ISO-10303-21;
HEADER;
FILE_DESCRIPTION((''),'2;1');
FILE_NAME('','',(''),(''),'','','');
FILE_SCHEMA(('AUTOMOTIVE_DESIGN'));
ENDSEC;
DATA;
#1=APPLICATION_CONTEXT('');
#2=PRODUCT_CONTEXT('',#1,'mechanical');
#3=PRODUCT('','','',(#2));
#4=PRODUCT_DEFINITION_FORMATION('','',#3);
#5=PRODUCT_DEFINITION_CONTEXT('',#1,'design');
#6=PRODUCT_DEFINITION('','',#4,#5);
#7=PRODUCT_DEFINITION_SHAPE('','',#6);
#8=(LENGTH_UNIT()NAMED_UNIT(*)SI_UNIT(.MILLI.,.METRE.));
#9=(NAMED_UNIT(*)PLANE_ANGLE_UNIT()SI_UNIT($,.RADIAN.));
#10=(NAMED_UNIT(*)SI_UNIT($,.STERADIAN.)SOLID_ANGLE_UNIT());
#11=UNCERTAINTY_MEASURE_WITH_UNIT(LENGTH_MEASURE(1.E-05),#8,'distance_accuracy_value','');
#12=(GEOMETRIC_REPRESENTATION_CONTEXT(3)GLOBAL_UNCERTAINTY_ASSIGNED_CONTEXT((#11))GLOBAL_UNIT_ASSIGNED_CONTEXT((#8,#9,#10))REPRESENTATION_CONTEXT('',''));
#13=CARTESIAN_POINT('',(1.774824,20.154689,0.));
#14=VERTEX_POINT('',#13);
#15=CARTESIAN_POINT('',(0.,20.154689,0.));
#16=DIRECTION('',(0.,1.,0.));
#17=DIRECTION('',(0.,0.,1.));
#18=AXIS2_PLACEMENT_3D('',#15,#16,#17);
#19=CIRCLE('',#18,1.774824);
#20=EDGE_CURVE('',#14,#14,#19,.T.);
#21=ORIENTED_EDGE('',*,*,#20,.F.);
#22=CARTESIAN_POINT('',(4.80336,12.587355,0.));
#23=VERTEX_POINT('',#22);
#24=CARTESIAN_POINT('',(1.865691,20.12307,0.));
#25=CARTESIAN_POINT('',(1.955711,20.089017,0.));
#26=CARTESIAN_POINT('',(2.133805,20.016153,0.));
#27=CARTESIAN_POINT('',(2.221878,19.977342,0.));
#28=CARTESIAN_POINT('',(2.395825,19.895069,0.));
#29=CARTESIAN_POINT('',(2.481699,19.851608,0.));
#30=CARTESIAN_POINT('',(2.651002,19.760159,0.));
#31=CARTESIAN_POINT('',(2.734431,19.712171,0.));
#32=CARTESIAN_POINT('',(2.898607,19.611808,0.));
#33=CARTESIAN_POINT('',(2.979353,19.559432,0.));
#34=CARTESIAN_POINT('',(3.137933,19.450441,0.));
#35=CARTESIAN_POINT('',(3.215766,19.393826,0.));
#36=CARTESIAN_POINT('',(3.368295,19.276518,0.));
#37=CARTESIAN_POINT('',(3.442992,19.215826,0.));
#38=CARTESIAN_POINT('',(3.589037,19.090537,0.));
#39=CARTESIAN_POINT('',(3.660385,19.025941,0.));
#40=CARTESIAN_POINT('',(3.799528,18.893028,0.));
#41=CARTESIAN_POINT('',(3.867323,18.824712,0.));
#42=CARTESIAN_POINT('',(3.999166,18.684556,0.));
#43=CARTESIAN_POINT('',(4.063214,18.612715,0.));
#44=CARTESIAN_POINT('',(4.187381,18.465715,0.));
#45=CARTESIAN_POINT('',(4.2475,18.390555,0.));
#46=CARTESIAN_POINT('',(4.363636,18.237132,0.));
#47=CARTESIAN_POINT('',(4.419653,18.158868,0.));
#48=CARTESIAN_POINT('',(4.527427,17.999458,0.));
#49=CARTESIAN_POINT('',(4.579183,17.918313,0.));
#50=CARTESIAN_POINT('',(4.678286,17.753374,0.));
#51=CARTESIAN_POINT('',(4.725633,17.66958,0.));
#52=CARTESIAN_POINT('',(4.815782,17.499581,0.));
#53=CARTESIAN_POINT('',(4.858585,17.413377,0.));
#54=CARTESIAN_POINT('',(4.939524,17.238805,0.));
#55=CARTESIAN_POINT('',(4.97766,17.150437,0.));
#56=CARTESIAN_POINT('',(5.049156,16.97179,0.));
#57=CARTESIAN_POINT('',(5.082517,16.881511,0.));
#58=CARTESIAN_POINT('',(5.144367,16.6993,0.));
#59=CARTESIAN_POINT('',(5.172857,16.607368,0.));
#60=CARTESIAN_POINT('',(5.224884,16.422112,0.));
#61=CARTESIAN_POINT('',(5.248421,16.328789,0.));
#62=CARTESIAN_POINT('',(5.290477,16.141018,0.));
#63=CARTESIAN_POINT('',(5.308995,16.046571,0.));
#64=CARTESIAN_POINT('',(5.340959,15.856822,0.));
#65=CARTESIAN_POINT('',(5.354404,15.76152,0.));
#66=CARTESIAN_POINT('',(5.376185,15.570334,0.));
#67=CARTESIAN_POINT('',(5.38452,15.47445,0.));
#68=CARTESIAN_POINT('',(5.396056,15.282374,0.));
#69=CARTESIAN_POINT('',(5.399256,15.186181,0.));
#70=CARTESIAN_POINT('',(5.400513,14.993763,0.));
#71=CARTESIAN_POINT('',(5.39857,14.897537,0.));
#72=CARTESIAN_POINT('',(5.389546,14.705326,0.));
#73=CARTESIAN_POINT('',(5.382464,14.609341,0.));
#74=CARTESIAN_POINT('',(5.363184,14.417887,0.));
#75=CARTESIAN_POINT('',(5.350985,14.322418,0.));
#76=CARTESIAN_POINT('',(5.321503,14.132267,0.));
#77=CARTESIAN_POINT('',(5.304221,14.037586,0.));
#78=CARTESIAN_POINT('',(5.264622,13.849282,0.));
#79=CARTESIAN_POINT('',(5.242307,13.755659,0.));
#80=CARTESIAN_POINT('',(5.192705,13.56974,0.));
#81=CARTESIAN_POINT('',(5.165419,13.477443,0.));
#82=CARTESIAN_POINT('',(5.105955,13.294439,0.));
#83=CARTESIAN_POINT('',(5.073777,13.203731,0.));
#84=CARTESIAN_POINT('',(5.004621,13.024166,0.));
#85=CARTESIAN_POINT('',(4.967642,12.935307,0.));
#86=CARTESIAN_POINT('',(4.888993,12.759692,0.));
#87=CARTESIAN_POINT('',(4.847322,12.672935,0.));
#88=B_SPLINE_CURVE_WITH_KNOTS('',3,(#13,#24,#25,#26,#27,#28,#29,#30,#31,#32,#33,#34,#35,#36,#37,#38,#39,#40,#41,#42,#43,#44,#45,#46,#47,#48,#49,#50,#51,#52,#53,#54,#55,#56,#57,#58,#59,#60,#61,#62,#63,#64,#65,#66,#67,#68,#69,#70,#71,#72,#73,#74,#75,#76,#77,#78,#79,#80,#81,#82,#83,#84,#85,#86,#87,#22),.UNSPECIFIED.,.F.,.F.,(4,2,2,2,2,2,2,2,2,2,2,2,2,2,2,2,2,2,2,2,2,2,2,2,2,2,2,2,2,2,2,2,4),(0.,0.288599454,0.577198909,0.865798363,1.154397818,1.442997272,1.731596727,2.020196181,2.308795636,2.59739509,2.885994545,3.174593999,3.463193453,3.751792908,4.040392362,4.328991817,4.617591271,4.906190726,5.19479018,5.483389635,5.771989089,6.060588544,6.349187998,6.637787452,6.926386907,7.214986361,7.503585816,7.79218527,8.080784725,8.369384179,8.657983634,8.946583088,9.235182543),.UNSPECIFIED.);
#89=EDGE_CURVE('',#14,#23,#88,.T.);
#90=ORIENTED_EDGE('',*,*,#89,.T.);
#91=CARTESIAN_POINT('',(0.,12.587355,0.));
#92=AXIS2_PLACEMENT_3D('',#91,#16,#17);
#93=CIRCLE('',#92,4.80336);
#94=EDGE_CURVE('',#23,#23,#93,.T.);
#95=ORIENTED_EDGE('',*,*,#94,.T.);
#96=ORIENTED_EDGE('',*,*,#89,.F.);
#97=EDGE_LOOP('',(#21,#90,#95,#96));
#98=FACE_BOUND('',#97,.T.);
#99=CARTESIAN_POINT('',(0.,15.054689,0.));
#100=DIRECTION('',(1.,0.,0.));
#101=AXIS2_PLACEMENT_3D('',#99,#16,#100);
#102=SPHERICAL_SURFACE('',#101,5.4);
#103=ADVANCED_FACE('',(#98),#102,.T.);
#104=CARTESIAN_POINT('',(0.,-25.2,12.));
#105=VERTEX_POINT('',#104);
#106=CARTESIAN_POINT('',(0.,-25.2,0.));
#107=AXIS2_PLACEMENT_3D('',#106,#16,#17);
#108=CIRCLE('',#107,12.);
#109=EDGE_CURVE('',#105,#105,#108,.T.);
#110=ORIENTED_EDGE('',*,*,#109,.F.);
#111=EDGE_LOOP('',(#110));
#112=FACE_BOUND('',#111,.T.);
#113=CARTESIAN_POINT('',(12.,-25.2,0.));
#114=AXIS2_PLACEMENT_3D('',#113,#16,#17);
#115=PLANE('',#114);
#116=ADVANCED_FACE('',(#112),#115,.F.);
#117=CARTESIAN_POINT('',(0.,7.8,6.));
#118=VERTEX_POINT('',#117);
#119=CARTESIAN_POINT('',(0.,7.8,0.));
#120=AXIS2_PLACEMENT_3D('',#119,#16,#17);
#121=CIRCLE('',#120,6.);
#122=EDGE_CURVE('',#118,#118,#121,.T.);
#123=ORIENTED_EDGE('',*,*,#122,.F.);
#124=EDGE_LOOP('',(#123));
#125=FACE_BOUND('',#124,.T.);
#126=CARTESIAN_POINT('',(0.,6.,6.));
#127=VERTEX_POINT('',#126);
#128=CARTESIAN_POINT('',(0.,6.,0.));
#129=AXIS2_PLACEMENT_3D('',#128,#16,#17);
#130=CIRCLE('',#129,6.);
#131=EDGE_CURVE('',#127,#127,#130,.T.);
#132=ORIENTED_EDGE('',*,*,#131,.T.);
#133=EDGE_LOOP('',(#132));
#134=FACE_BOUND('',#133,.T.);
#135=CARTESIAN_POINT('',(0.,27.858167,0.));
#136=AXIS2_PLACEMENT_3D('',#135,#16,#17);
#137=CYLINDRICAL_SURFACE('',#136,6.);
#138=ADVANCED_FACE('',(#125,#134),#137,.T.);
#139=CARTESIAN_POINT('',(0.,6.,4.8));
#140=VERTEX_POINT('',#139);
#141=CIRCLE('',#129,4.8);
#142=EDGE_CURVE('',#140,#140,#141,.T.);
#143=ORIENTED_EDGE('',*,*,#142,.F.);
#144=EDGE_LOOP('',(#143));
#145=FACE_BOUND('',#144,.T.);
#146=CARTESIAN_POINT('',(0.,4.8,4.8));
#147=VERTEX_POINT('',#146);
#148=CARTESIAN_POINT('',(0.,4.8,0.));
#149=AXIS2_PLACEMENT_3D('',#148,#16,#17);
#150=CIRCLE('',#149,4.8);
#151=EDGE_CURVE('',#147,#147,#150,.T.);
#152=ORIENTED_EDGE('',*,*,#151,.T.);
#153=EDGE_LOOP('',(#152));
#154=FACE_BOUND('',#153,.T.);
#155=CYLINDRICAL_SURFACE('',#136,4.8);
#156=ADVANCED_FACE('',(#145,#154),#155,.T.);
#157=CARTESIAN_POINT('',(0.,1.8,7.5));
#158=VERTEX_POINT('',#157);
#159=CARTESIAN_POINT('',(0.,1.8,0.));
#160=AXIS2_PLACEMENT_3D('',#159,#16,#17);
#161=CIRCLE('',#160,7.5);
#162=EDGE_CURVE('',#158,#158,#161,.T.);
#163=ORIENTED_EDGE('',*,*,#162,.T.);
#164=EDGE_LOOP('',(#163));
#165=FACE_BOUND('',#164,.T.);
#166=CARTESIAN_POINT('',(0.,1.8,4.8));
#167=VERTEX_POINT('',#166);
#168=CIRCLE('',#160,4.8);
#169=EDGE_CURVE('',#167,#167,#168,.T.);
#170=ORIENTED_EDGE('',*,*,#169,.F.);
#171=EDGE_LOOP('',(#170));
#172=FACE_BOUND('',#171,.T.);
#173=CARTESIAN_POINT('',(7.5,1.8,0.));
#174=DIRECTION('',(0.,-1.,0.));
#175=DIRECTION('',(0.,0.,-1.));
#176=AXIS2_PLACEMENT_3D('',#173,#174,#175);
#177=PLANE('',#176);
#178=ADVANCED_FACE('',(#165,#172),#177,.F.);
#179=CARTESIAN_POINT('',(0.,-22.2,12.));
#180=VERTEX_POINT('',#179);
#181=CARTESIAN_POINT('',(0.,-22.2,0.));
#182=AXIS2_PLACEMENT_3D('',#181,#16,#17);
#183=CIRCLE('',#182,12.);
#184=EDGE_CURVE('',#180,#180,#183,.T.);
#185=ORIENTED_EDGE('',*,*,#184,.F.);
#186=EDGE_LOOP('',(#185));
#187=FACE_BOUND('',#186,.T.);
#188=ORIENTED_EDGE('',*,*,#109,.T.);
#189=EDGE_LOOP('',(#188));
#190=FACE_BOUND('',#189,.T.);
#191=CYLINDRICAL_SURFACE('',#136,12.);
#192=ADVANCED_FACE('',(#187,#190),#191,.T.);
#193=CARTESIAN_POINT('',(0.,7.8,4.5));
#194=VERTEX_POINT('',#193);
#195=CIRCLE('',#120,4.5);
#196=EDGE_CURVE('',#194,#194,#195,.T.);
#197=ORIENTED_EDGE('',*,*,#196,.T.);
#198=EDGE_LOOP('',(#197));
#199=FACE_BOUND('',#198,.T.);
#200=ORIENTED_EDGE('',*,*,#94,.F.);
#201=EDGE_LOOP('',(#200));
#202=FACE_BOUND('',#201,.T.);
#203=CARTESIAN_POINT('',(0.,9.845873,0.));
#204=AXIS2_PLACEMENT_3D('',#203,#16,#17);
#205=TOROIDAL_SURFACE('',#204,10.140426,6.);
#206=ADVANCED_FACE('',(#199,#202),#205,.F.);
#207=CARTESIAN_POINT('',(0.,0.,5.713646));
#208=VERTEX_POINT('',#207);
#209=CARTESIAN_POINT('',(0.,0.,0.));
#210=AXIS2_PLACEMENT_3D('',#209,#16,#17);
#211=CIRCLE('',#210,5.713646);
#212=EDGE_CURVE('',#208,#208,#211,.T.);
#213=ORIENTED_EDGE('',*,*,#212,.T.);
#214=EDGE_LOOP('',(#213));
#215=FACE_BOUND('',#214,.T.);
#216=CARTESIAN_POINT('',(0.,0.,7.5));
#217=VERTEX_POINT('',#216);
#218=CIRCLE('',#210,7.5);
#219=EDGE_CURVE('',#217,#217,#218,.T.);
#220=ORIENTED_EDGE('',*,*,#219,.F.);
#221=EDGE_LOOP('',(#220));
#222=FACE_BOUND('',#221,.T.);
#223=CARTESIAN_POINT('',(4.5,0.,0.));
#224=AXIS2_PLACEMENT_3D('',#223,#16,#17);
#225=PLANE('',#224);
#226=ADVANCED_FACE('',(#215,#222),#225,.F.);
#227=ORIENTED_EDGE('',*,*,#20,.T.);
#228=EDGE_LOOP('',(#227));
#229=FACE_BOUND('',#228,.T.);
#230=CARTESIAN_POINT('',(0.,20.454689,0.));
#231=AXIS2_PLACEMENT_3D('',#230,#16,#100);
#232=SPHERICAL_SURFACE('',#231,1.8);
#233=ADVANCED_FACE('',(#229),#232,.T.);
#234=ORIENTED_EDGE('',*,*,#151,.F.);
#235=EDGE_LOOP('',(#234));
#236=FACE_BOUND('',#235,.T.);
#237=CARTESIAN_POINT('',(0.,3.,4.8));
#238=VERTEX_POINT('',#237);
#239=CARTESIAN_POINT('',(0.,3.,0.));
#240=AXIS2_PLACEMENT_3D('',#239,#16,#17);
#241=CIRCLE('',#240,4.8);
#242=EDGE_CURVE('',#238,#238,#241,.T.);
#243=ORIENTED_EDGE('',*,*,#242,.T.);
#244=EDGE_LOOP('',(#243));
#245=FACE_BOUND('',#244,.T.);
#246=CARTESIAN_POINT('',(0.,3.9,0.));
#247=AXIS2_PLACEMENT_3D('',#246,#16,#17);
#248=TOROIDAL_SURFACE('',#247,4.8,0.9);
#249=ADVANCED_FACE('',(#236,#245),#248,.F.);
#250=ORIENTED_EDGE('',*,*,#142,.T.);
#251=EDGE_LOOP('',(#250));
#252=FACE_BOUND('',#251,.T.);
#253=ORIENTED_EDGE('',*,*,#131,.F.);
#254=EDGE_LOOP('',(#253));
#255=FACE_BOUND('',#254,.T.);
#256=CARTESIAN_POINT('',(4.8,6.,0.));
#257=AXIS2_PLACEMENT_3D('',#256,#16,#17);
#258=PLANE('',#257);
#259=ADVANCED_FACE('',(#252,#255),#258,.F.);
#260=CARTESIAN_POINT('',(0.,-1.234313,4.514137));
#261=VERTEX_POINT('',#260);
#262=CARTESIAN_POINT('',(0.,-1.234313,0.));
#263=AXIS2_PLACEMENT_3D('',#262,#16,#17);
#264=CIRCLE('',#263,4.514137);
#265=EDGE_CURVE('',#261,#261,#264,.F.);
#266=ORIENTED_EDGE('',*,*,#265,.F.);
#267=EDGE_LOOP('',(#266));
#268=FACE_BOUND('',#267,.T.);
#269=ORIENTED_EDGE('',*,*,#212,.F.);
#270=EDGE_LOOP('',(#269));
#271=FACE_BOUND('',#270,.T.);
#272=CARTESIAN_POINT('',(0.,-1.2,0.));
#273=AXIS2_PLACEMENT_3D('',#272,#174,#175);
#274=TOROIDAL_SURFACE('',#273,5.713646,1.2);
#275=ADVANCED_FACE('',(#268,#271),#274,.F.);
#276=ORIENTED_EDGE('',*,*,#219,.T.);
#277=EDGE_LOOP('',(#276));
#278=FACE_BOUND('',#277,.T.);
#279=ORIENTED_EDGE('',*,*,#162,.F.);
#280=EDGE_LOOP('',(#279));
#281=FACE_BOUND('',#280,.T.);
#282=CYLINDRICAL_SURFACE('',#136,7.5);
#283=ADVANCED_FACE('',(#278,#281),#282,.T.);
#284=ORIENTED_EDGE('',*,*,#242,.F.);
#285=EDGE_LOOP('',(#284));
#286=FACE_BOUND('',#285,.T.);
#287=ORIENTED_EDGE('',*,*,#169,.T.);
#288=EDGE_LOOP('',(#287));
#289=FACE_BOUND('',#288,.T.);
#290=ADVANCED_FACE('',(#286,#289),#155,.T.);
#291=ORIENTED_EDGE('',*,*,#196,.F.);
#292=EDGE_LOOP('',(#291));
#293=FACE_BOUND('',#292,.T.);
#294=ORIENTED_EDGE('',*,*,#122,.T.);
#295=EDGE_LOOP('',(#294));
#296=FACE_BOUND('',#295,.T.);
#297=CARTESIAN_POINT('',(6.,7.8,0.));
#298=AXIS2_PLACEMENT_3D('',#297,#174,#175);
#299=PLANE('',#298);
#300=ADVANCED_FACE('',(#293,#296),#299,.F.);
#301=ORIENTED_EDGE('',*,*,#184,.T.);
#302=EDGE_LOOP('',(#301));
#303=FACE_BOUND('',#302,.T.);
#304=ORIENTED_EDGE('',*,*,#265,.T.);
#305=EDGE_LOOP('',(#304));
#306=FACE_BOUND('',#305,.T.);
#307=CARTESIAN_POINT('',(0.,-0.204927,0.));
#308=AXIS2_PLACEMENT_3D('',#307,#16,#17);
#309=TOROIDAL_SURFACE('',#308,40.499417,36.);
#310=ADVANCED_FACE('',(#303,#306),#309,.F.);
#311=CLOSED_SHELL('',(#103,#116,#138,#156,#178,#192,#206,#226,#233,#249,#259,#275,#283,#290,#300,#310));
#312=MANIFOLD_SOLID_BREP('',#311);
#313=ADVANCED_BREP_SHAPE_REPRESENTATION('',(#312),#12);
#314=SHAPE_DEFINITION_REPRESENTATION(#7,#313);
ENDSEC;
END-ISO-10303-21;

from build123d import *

# Parameters (mm, degrees)
FILLET1_R     = 2
SCALE_1_SCALE = 0.6


with BuildPart() as part:
    # Sketch1 → Revolve1 (revolve)
    with BuildSketch(Plane.XY, mode=Mode.PRIVATE) as revolve1_sk:
        with BuildLine():
            Line((0, -42), (0, 37.091148677))
            ThreePointArc((0, 37.091148677), (2.291287847, 36.02764035), (2.958039892, 33.591148677))
            ThreePointArc((2.958039892, 33.591148677), (8.355680086, 28.435189692), (8.005599308, 20.978925468))
            ThreePointArc((8.005599308, 20.978925468), (6.920726173, 17.042188603), (7.5, 13))
            Line((7.5, 13), (10, 13))
            Line((10, 13), (10, 10))
            Line((10, 10), (8, 10))
            Line((8, 10), (8, 8))
            ThreePointArc((8, 8), (6.5, 6.5), (8, 5))
            Line((8, 5), (8, 3))
            Line((8, 3), (12.5, 3))
            Line((12.5, 3), (12.5, 0))
            Line((12.5, 0), (7.5, 0))
            ThreePointArc((7.5, 0), (10.655312326, -19.545502593), (20, -37))
            Line((20, -37), (20, -42))
            Line((20, -42), (0, -42))
        make_face()
    revolve(revolve1_sk.sketch.rotate(Axis((0, 46.430278851, 0), (0, -1, 0)), 90), axis=Axis((0, 46.430278851, 0), (0, -1, 0)))

    # Fillet1
    fillet1_edges = [part.edges().sort_by_distance(p)[0] for p in [
        (0, 0, -7.5),
    ]]
    fillet(fillet1_edges, radius=FILLET1_R)


with BuildPart() as part_1:
    # 缩放比例1: scaled about (0, 0, 0)
    add(part.part.scale(SCALE_1_SCALE))


solid = part_1.part
